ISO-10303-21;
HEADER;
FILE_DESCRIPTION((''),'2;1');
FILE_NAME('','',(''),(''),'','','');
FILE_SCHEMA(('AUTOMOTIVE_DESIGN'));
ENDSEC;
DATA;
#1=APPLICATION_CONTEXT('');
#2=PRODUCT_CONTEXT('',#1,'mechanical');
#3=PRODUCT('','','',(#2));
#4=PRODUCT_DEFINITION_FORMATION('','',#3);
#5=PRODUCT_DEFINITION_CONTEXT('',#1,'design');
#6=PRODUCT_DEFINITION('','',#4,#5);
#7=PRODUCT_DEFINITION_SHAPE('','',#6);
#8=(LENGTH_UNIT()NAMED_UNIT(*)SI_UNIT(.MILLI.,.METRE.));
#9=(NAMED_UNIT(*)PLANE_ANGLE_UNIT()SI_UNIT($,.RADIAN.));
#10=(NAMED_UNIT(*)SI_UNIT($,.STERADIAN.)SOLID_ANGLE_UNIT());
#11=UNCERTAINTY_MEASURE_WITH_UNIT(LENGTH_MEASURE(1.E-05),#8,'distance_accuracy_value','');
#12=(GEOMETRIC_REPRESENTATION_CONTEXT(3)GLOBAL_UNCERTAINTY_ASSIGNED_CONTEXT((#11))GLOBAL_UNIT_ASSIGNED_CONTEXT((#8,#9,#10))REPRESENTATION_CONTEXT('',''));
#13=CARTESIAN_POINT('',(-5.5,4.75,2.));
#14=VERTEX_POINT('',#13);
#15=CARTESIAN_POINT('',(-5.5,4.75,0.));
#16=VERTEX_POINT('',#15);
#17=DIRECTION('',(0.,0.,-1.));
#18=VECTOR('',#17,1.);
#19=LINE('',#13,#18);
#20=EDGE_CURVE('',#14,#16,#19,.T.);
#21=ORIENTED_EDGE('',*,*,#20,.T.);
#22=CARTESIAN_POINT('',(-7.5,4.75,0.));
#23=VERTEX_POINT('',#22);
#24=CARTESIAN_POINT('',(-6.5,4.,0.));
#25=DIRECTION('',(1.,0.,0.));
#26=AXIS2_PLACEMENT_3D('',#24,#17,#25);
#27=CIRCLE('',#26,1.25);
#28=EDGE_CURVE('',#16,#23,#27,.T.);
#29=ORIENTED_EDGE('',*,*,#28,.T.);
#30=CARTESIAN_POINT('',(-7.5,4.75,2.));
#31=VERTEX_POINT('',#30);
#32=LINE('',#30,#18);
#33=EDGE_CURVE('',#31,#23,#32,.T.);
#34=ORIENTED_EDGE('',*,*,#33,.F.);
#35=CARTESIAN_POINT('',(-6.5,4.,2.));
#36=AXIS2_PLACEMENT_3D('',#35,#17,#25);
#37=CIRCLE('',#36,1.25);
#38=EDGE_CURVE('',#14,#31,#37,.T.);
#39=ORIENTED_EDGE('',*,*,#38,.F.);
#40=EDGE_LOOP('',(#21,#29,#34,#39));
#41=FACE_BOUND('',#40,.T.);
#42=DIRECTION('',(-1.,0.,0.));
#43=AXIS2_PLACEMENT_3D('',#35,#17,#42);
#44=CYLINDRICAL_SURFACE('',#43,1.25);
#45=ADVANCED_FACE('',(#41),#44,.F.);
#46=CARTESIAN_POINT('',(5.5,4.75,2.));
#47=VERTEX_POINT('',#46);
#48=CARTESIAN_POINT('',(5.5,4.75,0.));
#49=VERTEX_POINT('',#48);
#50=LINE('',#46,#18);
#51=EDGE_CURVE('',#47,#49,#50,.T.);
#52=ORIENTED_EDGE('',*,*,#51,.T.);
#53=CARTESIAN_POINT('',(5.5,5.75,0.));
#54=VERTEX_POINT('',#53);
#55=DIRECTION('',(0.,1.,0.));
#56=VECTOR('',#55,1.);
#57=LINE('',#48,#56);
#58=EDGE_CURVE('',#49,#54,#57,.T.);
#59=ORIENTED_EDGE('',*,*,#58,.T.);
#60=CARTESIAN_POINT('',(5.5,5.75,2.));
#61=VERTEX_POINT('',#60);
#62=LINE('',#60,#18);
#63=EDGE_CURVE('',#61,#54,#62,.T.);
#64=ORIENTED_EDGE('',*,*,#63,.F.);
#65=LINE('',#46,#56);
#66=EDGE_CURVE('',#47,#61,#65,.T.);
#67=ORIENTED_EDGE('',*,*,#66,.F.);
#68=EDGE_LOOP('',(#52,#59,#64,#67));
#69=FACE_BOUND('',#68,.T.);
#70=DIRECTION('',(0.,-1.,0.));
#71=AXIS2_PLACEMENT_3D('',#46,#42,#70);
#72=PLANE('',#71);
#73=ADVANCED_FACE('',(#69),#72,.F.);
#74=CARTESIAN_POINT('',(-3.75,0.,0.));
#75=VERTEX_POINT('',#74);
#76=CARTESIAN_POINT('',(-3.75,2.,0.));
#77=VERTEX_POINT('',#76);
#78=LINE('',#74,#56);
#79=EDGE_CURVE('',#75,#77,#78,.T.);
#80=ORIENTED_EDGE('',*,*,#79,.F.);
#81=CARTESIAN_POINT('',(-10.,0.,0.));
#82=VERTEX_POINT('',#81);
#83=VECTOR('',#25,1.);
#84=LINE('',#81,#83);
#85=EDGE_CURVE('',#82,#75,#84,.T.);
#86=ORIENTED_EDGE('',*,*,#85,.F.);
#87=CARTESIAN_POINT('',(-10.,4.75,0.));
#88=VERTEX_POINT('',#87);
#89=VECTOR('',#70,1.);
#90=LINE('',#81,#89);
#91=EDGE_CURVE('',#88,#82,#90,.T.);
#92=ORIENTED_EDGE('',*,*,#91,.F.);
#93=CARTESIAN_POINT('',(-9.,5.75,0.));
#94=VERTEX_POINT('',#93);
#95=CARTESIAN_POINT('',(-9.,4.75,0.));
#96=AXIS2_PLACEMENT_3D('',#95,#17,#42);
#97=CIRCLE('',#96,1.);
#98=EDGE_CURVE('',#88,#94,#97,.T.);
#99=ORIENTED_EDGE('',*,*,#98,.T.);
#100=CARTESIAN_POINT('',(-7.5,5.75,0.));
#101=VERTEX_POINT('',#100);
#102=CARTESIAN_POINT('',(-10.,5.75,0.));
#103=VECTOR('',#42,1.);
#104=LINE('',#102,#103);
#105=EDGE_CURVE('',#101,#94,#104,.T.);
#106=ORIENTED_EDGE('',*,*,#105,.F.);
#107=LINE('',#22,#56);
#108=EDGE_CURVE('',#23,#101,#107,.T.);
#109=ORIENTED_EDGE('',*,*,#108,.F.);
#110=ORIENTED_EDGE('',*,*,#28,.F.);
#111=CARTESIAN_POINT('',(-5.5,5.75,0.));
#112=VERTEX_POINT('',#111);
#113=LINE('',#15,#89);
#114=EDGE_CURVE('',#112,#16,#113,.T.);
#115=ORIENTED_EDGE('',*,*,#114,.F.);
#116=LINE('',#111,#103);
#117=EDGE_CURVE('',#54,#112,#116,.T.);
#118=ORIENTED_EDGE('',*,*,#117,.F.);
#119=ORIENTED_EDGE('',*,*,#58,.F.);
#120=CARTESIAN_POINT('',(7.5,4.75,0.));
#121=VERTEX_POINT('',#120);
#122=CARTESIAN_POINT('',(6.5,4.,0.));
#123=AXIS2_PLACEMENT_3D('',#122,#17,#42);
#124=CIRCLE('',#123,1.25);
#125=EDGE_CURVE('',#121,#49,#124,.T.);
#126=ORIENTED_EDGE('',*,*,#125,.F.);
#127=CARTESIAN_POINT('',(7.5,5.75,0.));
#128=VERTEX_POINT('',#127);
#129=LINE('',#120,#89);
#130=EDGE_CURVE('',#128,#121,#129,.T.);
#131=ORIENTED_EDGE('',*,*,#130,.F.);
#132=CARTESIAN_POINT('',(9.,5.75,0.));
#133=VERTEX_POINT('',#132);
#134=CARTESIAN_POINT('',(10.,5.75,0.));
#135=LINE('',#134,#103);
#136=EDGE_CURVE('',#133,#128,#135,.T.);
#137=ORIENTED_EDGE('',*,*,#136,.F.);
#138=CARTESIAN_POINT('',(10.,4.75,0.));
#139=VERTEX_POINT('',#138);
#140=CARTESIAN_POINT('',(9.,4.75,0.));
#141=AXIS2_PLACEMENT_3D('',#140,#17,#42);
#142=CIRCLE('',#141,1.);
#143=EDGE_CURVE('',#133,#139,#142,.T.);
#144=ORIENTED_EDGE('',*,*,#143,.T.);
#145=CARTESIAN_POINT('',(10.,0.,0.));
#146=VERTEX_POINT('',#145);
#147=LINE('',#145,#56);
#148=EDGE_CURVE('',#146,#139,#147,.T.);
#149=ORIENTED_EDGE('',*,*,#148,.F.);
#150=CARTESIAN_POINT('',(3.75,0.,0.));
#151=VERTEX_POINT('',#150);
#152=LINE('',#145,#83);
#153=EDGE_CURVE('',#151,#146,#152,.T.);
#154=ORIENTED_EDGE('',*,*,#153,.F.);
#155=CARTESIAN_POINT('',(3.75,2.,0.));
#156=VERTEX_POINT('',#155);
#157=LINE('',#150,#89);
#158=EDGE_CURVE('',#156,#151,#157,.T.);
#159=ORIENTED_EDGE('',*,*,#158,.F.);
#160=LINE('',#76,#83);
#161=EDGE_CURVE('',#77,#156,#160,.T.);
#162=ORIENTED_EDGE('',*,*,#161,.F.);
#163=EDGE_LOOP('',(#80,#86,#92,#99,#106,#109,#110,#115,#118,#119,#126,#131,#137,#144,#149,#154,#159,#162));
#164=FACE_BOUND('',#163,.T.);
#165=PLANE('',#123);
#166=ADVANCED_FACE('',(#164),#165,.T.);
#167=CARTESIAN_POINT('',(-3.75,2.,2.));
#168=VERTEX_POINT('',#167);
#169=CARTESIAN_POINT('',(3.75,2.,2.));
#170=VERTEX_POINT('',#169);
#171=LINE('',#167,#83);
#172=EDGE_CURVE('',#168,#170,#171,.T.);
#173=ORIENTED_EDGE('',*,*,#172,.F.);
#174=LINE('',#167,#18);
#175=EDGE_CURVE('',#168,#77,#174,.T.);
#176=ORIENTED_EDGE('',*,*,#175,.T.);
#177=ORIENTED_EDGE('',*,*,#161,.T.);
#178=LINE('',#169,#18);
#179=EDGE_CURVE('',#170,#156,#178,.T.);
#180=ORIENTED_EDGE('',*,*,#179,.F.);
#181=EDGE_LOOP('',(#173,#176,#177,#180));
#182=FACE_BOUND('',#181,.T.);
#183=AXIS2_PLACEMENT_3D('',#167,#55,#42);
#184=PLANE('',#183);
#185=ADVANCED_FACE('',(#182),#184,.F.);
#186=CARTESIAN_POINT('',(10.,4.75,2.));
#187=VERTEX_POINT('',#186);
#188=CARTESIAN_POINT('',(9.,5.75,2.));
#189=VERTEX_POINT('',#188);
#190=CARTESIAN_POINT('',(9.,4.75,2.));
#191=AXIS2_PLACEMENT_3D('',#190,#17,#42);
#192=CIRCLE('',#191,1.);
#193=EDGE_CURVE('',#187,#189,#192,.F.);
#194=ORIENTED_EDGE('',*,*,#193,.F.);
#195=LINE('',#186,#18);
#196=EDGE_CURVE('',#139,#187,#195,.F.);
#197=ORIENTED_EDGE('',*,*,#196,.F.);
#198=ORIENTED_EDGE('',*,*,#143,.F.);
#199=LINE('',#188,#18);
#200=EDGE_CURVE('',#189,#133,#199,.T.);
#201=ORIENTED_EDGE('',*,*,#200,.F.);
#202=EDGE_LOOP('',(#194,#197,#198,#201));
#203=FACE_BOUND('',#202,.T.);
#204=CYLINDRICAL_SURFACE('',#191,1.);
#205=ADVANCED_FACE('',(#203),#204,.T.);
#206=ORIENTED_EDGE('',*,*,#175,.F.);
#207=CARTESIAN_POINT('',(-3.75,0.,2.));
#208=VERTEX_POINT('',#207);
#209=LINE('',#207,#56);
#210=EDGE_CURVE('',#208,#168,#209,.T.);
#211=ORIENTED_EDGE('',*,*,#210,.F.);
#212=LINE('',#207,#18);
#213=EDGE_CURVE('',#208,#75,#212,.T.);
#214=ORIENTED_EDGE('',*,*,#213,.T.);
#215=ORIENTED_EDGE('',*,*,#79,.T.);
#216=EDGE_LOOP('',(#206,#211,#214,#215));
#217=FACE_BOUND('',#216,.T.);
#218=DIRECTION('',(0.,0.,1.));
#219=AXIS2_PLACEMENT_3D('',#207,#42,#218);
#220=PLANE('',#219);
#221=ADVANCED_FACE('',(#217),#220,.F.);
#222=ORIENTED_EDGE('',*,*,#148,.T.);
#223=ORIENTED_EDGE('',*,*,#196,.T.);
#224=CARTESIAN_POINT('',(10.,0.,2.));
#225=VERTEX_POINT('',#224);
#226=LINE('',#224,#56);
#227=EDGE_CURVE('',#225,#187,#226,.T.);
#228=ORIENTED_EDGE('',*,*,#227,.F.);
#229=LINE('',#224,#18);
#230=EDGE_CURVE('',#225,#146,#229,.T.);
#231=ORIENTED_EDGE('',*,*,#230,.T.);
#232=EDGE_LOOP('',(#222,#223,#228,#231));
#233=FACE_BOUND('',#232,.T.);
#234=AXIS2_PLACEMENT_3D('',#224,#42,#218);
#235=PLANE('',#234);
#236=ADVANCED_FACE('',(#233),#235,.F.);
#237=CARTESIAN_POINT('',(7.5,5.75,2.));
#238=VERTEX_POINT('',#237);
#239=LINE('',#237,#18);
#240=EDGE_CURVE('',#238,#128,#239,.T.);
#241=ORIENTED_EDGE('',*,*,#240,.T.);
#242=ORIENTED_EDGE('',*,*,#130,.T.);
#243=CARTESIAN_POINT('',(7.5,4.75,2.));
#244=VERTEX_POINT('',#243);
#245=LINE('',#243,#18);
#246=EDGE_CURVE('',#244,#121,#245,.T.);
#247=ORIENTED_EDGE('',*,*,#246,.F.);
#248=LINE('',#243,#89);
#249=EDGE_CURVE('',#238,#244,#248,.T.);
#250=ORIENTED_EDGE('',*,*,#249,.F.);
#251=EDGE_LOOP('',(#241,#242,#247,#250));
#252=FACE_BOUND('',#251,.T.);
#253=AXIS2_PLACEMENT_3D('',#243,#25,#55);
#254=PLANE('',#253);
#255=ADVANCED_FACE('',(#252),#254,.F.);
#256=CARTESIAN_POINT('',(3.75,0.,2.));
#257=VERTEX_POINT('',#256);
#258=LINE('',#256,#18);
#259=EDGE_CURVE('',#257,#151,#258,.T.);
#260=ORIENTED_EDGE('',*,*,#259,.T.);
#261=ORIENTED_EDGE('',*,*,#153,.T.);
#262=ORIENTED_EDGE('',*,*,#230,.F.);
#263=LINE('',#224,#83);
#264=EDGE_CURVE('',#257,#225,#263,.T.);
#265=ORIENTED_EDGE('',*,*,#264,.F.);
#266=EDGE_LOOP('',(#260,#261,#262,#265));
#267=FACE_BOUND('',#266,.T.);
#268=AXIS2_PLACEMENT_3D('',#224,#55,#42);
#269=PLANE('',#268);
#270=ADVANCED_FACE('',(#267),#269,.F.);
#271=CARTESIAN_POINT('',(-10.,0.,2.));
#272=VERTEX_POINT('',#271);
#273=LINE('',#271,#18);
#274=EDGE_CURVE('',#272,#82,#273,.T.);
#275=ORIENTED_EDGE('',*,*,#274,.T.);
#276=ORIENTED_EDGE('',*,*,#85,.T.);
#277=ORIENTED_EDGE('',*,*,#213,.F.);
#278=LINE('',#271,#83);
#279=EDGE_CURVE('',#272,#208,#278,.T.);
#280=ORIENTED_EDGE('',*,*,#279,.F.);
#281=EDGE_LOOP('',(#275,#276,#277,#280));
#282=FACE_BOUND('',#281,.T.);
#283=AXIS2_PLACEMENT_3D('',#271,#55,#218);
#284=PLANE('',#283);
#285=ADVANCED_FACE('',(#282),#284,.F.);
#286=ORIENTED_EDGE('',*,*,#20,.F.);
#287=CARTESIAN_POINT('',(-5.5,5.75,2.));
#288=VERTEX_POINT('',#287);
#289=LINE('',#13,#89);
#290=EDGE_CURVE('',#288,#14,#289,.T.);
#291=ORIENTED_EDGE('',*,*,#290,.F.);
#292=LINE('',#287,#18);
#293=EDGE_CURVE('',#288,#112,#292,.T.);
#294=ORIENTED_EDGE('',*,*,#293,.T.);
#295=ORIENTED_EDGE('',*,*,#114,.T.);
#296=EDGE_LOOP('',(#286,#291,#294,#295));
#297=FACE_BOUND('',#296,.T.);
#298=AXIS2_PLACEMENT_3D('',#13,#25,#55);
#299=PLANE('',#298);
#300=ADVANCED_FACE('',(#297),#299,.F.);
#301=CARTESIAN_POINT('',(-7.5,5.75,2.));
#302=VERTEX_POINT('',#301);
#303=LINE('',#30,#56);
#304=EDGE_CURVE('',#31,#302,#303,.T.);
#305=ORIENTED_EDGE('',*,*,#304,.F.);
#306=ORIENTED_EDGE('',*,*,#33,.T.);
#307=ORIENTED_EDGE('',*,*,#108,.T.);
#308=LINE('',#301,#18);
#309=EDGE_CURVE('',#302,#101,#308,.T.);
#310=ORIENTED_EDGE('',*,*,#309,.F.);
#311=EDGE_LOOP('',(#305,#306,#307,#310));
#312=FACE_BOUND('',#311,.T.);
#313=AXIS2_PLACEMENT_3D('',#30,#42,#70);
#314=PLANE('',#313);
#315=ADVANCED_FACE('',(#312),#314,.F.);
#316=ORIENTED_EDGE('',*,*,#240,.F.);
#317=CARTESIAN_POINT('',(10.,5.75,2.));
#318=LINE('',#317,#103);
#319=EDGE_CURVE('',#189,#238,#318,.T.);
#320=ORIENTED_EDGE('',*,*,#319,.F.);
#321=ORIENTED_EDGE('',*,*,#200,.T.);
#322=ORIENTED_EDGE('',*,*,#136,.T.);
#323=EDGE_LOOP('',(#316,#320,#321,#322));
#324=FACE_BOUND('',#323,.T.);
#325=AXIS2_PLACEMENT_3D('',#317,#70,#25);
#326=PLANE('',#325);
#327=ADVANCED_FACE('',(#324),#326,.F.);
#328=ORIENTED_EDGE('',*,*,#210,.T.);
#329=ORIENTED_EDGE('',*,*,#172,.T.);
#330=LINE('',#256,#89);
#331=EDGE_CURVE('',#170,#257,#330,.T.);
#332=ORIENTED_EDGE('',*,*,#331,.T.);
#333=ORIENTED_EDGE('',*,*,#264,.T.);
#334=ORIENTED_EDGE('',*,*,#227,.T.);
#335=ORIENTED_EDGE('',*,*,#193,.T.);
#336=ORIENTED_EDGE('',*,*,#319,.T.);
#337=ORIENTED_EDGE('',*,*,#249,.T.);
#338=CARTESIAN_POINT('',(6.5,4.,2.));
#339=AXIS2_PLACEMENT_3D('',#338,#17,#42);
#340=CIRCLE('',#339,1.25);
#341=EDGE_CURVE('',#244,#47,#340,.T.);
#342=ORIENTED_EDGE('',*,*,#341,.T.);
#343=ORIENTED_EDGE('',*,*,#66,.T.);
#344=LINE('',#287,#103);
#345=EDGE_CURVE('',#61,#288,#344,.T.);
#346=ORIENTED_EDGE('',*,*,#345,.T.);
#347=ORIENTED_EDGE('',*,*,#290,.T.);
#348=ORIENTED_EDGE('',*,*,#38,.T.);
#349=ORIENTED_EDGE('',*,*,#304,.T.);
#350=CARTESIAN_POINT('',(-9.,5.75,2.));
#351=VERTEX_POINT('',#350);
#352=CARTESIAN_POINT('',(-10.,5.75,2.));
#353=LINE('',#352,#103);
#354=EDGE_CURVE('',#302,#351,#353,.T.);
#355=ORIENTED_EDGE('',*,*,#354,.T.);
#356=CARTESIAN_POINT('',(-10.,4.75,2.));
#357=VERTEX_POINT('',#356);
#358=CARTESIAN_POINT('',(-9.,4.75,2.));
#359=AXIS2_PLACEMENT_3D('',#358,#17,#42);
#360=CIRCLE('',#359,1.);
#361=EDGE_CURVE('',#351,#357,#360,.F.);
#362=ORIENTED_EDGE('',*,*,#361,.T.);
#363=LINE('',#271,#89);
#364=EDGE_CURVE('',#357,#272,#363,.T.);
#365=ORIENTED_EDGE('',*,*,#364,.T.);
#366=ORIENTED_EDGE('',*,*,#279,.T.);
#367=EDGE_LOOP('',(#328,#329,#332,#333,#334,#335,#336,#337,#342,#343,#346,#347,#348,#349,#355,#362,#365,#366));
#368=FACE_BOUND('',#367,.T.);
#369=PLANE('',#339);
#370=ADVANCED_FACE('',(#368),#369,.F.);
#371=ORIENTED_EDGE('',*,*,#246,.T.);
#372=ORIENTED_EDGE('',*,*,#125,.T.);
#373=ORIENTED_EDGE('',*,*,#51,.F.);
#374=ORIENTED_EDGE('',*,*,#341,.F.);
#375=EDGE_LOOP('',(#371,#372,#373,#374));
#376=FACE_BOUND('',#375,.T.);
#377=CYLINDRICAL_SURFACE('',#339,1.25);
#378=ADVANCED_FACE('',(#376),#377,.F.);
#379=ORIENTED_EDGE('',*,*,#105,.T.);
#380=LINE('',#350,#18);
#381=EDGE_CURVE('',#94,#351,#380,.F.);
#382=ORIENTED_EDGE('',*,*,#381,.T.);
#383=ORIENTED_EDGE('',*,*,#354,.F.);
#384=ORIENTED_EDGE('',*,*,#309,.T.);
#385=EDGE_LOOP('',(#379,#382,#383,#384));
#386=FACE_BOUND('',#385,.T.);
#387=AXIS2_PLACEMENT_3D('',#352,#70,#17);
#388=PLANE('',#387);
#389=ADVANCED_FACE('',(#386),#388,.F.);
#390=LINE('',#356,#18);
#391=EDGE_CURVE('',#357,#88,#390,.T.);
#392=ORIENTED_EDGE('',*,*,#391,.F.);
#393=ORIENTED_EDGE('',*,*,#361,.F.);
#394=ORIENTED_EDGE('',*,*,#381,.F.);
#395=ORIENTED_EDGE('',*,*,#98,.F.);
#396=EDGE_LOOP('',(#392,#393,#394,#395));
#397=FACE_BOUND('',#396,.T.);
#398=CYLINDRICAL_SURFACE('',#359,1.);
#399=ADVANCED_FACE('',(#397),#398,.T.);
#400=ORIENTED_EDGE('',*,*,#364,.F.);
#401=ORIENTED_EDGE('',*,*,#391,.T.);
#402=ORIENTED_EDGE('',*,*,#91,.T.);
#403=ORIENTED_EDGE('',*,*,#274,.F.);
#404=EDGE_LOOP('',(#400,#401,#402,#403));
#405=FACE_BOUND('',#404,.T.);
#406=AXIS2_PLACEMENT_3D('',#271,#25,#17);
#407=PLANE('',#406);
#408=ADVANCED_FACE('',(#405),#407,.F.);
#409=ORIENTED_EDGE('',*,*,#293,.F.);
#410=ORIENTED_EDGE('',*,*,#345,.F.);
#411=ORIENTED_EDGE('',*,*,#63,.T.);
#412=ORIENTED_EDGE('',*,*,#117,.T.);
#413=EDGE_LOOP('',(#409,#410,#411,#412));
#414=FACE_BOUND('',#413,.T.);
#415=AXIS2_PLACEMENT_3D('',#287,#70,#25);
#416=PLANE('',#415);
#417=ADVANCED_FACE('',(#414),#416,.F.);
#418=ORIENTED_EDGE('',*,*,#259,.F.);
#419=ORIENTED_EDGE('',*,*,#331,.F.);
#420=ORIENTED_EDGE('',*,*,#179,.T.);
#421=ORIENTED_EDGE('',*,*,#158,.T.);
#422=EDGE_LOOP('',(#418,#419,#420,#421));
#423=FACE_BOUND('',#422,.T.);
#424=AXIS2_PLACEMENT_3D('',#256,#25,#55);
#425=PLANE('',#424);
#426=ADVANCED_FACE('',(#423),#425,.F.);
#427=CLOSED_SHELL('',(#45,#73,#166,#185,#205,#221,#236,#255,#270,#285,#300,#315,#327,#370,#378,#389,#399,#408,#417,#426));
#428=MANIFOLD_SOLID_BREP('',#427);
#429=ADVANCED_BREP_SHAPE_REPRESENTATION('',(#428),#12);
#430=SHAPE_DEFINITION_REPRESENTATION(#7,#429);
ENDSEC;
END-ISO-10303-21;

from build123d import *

# Parameters (mm, degrees)
TUBE_PLATE_BODY_DEPTH   = 2
TUBE_PLATE_CONTOURING_R = 1


with BuildPart() as part:
    # Sketch1 → Tube Plate Body (new body)
    with BuildSketch(Plane.XY):
        with BuildLine():
            Line((-10, 0), (-10, 5.75))
            Line((-10, 5.75), (-7.5, 5.75))
            Line((-7.5, 5.75), (-7.5, 4.75))
            ThreePointArc((-7.5, 4.75), (-6.5, 2.75), (-5.5, 4.75))
            Line((-5.5, 4.75), (-5.5, 5.75))
            Line((-5.5, 5.75), (5.5, 5.75))
            Line((5.5, 5.75), (5.5, 4.75))
            ThreePointArc((5.5, 4.75), (6.5, 2.75), (7.5, 4.75))
            Line((7.5, 4.75), (7.5, 5.75))
            Line((7.5, 5.75), (10, 5.75))
            Line((10, 5.75), (10, 0))
            Line((10, 0), (3.75, 0))
            Line((3.75, 0), (3.75, 2))
            Line((3.75, 2), (-3.75, 2))
            Line((-3.75, 2), (-3.75, 0))
            Line((-3.75, 0), (-10, 0))
        make_face()
    extrude(amount=TUBE_PLATE_BODY_DEPTH)

    # Tube Plate Contouring
    tube_plate_contouring_edges = [part.edges().sort_by_distance(p)[0] for p in [
        (-10, 5.75, 1),
        (10, 5.75, 1),
    ]]
    fillet(tube_plate_contouring_edges, radius=TUBE_PLATE_CONTOURING_R)


solid = part.part
